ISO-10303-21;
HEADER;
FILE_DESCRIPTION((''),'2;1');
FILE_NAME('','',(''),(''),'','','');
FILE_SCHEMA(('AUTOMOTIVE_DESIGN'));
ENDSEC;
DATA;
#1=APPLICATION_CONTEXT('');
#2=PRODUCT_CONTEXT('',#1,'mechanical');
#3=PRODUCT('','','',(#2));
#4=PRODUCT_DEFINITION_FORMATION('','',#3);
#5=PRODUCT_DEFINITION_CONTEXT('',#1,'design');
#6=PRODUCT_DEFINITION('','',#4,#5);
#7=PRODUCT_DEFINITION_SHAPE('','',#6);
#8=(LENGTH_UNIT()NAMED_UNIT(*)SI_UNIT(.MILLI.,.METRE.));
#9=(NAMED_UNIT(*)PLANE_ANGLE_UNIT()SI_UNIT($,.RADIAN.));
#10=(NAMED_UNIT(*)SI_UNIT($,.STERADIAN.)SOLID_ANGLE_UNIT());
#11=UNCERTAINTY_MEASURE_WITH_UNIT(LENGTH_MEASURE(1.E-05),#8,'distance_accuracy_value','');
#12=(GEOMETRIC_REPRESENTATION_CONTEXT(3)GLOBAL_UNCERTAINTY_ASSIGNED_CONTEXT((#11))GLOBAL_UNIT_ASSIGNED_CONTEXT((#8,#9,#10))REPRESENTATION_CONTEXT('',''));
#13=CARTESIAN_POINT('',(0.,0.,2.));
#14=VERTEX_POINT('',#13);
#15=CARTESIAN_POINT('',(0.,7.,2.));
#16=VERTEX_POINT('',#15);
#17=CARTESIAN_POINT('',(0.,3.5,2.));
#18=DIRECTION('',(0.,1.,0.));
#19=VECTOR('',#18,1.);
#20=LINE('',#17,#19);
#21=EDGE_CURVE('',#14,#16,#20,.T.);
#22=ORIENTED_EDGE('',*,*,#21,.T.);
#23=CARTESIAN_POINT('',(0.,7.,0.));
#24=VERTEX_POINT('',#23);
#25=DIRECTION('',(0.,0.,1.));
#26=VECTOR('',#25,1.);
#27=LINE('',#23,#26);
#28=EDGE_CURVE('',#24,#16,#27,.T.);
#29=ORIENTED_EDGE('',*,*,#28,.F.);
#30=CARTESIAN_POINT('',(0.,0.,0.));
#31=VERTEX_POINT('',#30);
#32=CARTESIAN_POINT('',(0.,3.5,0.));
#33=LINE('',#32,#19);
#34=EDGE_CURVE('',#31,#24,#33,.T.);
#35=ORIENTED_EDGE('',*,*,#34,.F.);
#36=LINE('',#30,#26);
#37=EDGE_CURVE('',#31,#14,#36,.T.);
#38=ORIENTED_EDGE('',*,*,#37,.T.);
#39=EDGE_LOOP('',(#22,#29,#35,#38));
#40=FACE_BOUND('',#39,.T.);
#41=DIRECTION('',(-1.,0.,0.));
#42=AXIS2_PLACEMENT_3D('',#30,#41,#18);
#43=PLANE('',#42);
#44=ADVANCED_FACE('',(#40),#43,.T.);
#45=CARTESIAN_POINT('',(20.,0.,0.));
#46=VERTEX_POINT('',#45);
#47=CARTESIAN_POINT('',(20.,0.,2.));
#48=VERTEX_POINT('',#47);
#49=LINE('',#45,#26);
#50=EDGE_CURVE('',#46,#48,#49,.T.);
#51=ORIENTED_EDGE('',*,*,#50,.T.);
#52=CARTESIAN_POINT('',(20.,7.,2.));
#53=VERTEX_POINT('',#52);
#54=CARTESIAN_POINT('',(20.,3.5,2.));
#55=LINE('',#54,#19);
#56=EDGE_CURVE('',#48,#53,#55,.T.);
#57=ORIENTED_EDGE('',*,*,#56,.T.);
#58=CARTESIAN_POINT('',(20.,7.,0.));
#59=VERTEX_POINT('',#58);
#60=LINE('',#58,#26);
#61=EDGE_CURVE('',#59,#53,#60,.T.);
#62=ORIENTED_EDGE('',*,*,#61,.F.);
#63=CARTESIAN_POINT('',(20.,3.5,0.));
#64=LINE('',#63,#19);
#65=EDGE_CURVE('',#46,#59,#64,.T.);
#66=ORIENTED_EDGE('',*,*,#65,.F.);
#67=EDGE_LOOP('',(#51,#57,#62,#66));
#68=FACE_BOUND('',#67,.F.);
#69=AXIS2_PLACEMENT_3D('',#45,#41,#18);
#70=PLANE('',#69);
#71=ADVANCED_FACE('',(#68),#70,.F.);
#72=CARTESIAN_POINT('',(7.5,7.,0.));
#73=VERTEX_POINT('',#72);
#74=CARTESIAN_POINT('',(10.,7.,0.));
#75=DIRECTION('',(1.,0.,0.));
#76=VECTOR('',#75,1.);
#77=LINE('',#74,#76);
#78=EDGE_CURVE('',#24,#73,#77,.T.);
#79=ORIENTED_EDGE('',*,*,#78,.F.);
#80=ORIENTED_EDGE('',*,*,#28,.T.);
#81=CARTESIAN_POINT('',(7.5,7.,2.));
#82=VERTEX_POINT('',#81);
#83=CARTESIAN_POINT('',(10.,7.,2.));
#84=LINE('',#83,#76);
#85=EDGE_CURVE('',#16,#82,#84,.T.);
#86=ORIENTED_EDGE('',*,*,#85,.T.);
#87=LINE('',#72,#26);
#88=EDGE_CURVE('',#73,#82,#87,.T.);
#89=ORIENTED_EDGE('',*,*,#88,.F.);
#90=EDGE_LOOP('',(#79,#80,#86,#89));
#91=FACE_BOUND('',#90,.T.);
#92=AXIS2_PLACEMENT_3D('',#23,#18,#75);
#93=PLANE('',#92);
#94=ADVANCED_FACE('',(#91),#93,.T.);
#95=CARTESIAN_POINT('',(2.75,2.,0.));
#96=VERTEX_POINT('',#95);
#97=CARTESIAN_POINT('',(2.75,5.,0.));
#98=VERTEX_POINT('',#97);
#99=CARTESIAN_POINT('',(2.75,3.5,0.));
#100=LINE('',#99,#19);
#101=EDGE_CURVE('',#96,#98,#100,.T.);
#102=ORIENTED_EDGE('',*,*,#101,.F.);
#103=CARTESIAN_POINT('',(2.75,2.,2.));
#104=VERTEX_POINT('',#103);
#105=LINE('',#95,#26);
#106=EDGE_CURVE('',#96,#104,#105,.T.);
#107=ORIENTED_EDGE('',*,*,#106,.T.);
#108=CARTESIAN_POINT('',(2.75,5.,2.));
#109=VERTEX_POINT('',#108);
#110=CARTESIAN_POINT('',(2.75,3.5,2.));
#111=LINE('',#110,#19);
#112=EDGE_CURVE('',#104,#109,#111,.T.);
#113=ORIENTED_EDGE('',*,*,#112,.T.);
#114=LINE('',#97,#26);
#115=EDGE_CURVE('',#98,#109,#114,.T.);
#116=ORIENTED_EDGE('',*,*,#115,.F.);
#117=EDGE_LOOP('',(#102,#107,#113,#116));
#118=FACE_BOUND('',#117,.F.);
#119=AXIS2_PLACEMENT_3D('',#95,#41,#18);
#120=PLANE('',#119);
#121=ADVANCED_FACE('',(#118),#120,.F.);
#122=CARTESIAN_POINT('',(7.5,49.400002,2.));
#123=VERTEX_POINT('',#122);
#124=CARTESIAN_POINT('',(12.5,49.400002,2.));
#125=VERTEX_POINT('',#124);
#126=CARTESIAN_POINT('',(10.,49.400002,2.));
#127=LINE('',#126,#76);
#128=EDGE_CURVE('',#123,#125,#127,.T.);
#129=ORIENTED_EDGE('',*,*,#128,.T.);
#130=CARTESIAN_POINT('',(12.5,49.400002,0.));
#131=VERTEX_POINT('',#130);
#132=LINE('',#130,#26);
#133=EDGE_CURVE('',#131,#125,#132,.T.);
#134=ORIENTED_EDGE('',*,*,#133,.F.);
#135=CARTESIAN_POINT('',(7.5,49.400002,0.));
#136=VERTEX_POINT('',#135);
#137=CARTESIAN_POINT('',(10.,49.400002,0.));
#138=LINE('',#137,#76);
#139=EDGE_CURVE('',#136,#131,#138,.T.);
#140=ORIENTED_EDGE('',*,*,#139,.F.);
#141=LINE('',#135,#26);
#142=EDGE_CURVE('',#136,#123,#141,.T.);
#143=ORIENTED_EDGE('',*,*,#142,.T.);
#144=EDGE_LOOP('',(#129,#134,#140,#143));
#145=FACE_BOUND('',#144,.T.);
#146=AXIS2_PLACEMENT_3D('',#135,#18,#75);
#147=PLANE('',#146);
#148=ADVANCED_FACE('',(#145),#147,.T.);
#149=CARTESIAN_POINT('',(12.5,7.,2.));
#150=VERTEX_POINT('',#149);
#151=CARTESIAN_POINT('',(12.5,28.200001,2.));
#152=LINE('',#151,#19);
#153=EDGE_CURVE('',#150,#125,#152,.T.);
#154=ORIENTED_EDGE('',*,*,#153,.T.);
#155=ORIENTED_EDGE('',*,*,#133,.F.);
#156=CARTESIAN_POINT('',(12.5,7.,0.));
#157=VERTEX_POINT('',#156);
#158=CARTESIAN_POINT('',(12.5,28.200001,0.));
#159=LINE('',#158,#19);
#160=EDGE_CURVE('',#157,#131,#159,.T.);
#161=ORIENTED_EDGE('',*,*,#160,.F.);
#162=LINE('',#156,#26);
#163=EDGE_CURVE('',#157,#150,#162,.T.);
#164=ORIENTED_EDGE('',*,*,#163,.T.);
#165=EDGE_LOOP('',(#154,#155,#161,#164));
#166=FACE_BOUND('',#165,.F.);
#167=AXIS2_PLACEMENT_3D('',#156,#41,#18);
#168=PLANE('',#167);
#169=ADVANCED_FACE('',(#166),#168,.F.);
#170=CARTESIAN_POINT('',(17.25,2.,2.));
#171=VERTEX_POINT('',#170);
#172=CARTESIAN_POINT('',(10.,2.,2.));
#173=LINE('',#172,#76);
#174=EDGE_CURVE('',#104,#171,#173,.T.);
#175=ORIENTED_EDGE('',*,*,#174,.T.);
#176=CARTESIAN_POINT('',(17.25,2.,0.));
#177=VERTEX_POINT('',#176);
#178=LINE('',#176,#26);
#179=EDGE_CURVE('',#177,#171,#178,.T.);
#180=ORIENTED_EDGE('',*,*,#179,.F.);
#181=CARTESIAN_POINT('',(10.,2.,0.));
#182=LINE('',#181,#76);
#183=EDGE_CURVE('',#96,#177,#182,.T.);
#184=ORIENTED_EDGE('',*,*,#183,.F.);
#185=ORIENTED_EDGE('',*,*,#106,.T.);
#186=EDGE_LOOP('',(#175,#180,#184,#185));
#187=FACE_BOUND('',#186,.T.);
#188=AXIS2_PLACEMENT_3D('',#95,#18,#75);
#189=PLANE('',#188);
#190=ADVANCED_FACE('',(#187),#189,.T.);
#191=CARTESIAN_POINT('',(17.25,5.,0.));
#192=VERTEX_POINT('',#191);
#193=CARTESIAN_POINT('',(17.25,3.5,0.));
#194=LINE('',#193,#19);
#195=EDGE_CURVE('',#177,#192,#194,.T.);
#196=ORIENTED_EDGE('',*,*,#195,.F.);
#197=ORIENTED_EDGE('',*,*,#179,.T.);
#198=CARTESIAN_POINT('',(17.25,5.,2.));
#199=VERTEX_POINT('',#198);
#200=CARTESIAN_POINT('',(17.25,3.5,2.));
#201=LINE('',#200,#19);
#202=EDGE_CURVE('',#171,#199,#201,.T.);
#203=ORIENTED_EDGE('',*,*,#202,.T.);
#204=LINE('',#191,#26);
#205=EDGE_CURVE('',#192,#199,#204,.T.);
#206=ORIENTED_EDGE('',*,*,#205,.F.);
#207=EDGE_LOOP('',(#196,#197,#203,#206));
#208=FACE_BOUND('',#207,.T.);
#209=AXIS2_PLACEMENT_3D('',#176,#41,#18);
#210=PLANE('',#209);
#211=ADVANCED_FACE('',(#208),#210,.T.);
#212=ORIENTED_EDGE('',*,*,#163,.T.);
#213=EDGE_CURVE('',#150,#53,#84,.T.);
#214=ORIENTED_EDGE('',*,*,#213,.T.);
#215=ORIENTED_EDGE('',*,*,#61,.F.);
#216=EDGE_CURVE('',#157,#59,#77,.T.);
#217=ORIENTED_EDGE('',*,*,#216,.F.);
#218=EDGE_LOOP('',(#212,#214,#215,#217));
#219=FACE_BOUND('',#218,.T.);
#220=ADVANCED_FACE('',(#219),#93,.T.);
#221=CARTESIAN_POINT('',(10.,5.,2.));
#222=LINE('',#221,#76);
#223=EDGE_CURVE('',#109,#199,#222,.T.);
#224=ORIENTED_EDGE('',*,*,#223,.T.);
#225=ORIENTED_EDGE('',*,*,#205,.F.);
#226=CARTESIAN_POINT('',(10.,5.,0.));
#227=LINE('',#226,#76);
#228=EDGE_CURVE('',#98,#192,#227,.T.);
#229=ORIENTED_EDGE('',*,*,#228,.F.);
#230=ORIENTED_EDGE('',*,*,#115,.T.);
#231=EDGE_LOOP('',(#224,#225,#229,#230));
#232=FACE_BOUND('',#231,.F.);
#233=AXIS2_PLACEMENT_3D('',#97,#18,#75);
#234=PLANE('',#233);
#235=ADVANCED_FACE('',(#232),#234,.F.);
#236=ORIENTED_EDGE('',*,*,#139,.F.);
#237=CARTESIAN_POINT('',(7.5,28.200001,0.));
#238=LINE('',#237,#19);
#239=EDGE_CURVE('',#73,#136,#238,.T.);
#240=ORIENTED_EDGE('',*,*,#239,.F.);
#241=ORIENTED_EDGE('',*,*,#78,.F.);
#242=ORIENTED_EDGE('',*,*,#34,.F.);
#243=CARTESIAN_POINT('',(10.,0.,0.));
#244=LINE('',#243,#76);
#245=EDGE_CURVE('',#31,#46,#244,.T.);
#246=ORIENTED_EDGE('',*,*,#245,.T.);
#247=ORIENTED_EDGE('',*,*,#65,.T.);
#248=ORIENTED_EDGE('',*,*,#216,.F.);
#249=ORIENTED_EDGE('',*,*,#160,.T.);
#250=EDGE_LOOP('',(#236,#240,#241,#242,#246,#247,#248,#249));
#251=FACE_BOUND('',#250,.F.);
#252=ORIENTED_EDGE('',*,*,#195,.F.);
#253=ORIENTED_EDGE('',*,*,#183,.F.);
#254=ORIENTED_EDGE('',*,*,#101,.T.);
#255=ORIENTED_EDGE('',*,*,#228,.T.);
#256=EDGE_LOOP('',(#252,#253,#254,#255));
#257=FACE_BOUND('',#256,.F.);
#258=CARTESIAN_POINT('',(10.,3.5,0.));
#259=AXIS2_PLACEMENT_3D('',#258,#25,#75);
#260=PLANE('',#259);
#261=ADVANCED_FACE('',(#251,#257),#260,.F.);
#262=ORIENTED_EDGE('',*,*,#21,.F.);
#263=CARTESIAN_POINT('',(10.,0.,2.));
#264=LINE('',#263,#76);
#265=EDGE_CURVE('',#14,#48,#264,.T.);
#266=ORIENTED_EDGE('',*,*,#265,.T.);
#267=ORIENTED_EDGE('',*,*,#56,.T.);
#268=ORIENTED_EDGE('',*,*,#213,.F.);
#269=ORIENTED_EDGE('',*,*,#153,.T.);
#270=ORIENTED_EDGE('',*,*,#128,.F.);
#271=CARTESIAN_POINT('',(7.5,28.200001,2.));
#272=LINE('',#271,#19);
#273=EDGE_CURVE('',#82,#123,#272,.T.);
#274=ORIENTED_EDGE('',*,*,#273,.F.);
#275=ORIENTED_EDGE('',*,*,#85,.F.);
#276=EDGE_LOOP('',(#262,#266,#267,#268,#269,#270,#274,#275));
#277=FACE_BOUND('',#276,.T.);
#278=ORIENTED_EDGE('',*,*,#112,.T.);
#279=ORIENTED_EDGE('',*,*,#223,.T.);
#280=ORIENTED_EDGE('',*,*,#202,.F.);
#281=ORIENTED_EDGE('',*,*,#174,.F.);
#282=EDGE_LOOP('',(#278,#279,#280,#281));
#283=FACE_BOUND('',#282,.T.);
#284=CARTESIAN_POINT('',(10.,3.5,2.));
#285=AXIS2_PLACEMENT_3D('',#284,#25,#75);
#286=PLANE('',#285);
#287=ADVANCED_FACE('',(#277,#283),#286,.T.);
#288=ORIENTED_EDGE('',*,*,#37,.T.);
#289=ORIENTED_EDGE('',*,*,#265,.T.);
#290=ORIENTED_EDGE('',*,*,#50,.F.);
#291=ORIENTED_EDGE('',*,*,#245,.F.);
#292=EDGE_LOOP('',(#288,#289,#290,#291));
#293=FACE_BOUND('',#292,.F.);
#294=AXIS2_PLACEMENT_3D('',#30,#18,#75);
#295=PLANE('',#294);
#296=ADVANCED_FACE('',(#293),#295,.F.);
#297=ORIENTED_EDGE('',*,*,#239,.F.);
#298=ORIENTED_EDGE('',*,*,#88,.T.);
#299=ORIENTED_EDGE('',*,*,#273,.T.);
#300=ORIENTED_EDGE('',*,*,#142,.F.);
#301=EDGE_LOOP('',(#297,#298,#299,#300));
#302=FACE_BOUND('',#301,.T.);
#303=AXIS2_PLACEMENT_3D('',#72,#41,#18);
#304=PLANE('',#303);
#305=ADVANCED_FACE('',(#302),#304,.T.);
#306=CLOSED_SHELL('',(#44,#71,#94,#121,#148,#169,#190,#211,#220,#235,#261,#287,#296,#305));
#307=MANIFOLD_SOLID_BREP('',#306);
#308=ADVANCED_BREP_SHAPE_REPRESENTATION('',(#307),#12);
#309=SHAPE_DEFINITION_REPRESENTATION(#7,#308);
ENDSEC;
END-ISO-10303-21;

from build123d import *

# Parameters (mm, degrees)
BOX002_W     = 5
BOX002_H     = 42.400002
BOX002_DEPTH = 2
BOX001_W     = 14.5
BOX001_H     = 3
BOX001_DEPTH = 2
BOX_W        = 20
BOX_H        = 7
BOX_DEPTH    = 2


with BuildPart() as box002:
    # Box002 → Box002 (new body)
    with BuildSketch(Plane(origin=(7.5, 7, 0), x_dir=(1, 0, 0), z_dir=(0, 0, 1))):
        with Locations((2.5, 21.200001)):
            Rectangle(BOX002_W, BOX002_H)
    extrude(amount=BOX002_DEPTH)


with BuildPart() as box001:
    # Box001 → Box001 (new body)
    with BuildSketch(Plane(origin=(2.75, 2, 0), x_dir=(1, 0, 0), z_dir=(0, 0, 1))):
        with Locations((7.25, 1.5)):
            Rectangle(BOX001_W, BOX001_H)
    extrude(amount=BOX001_DEPTH)


with BuildPart() as fusion:
    # Box → Box (new body)
    with BuildSketch(Plane.XY):
        with Locations((10, 3.5)):
            Rectangle(BOX_W, BOX_H)
    extrude(amount=BOX_DEPTH)

    # Cut: cut Box001
    add(box001.part, mode=Mode.SUBTRACT)

    # Fusion: union Box002
    add(box002.part)


solid = fusion.part
